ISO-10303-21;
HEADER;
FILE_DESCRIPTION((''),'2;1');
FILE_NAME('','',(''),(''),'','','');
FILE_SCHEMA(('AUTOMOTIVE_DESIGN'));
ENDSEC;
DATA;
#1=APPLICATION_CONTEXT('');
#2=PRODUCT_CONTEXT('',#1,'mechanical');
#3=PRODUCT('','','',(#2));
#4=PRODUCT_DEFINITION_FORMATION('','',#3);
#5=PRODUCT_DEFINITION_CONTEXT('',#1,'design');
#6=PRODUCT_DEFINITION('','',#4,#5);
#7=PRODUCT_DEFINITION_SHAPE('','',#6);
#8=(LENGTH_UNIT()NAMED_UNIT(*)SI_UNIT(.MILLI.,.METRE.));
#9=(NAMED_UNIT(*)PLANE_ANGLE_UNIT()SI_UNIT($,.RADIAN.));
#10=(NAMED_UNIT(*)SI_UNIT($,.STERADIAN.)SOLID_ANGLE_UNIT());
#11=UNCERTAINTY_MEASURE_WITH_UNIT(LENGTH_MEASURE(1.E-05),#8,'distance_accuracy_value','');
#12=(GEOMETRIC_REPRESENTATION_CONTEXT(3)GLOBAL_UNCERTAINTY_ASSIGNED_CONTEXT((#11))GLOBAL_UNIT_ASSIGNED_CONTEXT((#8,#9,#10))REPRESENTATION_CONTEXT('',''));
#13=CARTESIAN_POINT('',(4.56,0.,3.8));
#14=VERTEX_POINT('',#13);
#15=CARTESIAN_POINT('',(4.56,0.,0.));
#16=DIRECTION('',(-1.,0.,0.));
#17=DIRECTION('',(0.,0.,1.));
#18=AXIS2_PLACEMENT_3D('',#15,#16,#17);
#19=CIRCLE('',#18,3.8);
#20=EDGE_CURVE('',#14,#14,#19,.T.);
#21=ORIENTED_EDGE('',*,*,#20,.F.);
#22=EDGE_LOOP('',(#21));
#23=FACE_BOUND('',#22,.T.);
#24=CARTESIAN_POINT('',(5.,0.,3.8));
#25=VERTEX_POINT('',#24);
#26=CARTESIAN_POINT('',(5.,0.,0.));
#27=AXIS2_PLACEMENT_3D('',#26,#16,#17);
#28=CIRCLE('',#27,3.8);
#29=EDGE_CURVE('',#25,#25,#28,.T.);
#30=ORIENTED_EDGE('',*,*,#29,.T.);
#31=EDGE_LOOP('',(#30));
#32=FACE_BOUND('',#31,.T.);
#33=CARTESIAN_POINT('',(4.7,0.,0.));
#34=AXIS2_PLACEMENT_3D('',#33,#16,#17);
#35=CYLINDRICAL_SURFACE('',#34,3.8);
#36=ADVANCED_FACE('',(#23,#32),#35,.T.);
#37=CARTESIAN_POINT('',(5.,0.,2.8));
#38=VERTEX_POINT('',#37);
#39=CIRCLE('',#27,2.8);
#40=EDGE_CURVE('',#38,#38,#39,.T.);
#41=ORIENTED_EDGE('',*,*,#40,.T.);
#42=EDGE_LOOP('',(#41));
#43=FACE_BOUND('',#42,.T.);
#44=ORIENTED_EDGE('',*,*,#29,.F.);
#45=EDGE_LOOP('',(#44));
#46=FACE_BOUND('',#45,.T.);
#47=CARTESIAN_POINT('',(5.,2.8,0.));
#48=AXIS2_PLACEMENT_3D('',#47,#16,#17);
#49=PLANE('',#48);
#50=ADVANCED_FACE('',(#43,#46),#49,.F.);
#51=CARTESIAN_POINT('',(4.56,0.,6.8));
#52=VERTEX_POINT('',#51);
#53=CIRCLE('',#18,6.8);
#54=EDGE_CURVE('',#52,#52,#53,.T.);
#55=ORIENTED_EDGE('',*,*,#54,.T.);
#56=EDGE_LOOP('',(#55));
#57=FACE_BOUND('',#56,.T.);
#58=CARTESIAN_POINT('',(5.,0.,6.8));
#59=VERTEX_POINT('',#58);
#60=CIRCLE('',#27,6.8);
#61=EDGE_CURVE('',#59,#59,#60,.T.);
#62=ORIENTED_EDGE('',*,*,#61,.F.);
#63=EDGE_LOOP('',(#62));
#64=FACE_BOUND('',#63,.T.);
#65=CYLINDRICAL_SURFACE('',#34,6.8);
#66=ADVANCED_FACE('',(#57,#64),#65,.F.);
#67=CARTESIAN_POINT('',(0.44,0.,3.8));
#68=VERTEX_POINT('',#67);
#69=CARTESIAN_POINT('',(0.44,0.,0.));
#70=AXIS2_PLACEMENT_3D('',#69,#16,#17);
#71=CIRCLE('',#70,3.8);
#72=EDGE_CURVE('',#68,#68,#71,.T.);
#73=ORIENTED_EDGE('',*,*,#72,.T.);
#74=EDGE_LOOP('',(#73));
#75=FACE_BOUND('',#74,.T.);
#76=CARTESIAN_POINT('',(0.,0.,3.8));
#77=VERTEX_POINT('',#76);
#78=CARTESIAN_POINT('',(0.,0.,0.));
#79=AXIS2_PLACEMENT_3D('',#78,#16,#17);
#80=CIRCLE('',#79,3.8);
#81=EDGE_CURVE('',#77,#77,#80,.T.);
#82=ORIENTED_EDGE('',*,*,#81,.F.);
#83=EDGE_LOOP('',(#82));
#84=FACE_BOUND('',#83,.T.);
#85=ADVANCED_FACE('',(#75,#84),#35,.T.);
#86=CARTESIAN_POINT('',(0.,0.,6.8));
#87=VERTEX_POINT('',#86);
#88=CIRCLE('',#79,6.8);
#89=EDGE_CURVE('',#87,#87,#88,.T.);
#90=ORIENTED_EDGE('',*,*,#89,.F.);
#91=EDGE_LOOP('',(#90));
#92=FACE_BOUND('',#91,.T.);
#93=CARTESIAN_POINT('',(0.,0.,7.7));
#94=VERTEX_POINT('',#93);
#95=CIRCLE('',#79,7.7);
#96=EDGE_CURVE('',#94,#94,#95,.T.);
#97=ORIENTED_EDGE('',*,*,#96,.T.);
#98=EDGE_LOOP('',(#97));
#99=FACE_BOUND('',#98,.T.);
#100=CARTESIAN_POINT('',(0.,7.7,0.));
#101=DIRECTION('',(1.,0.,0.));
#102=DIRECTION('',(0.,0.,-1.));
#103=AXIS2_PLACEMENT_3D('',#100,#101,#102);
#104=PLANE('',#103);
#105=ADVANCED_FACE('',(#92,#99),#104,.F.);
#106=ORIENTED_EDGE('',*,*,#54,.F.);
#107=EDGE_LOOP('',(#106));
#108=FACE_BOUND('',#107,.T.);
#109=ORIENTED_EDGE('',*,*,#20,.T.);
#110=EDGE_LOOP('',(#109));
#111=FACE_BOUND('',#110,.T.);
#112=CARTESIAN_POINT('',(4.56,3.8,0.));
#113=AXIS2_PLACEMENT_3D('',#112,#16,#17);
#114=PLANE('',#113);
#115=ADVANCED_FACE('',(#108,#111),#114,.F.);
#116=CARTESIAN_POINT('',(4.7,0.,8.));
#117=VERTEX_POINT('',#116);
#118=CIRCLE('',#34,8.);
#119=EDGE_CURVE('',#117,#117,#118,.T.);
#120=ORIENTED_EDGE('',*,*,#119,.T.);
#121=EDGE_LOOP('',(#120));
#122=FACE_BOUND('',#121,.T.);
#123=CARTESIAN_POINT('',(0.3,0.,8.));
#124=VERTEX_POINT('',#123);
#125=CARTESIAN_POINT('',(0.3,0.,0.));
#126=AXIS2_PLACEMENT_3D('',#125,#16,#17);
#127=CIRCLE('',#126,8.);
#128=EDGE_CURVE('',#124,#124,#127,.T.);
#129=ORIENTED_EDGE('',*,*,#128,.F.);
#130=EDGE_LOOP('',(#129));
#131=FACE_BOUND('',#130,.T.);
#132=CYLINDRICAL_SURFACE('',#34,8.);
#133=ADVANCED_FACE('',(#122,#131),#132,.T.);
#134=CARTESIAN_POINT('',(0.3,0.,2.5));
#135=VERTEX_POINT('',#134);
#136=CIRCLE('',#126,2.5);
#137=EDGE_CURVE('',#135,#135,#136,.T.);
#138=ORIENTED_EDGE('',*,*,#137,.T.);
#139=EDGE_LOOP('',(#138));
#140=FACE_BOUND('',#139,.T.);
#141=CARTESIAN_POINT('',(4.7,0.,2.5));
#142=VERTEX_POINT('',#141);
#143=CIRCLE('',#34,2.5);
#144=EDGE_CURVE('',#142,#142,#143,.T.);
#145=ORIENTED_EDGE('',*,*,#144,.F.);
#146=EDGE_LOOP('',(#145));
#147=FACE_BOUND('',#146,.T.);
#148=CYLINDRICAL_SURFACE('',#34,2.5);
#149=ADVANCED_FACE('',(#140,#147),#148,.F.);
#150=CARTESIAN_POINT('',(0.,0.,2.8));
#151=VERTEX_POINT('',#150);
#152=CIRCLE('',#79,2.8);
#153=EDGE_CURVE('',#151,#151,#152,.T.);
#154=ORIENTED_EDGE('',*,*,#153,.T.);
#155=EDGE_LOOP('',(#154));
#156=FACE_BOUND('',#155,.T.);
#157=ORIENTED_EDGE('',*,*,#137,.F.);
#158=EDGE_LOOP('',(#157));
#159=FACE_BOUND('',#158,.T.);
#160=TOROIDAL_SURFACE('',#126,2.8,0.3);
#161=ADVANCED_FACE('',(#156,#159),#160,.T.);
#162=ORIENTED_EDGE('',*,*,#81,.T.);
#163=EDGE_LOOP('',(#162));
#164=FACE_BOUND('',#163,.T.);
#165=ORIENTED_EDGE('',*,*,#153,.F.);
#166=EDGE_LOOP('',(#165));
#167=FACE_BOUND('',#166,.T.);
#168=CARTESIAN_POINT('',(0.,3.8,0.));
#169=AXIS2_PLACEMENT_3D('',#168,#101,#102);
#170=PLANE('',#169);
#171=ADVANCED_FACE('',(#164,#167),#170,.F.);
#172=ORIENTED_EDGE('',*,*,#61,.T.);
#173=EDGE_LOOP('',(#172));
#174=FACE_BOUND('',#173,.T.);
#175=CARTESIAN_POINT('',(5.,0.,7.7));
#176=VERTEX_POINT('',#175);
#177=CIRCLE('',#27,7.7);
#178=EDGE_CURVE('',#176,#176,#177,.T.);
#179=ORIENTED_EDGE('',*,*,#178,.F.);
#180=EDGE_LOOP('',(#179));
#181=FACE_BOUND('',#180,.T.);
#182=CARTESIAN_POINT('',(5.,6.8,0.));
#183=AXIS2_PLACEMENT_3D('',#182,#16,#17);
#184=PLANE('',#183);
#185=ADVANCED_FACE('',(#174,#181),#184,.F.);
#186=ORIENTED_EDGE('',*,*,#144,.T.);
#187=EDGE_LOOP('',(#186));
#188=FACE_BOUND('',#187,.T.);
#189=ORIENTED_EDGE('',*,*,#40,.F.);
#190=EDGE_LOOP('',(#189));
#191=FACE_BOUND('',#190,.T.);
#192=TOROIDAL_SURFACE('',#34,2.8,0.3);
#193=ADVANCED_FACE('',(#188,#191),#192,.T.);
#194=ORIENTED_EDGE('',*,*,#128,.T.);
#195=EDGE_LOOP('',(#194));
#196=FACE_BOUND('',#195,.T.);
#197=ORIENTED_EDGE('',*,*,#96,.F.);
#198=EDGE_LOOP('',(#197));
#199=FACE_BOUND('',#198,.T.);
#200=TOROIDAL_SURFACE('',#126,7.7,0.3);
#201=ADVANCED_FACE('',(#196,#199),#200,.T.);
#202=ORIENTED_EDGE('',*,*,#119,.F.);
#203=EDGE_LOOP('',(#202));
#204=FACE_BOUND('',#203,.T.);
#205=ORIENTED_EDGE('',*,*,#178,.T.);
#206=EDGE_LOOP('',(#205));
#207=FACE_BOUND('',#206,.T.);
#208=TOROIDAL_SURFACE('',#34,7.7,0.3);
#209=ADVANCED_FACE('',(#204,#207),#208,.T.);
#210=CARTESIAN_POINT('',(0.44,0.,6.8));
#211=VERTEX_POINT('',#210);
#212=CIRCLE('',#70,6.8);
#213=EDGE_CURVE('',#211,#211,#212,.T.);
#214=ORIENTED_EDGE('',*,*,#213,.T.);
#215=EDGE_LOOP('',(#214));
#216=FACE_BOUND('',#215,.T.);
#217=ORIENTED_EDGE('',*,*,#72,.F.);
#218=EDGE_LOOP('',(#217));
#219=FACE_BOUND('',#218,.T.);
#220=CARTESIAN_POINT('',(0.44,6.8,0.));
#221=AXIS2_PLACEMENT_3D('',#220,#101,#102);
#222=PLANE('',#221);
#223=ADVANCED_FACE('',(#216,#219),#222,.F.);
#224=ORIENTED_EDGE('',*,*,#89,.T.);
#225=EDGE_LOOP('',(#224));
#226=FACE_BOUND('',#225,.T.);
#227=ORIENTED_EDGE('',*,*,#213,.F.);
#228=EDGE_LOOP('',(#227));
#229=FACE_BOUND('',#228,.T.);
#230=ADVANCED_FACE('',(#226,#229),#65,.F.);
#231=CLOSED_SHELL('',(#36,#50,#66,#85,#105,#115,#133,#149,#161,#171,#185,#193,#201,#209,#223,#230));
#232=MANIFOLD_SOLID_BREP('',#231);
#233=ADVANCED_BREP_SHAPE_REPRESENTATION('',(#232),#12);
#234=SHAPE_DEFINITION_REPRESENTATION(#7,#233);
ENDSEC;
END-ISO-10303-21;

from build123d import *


with BuildPart() as part:
    # Sketch1 → Revolve1 (revolve)
    with BuildSketch(Plane.XY, mode=Mode.PRIVATE) as revolve1_sk:
        with BuildLine():
            Line((0, 7.7), (0, 6.8))
            Line((0, 6.8), (0.44, 6.8))
            Line((0.44, 6.8), (0.44, 3.8))
            Line((0.44, 3.8), (0, 3.8))
            Line((0, 3.8), (0, 2.8))
            ThreePointArc((0, 2.8), (0.087867966, 2.587867966), (0.3, 2.5))
            Line((0.3, 2.5), (4.7, 2.5))
            ThreePointArc((4.7, 2.5), (4.912132034, 2.587867966), (5, 2.8))
            Line((5, 2.8), (5, 3.8))
            Line((5, 3.8), (4.56, 3.8))
            Line((4.56, 3.8), (4.56, 6.8))
            Line((4.56, 6.8), (5, 6.8))
            Line((5, 6.8), (5, 7.7))
            ThreePointArc((5, 7.7), (4.912132034, 7.912132034), (4.7, 8))
            Line((4.7, 8), (0.3, 8))
            ThreePointArc((0.3, 8), (0.087867966, 7.912132034), (0, 7.7))
        make_face()
    revolve(revolve1_sk.sketch.rotate(Axis((4.7, 0, 0), (-1, 0, 0)), 270), axis=Axis((4.7, 0, 0), (-1, 0, 0)))


solid = part.part
